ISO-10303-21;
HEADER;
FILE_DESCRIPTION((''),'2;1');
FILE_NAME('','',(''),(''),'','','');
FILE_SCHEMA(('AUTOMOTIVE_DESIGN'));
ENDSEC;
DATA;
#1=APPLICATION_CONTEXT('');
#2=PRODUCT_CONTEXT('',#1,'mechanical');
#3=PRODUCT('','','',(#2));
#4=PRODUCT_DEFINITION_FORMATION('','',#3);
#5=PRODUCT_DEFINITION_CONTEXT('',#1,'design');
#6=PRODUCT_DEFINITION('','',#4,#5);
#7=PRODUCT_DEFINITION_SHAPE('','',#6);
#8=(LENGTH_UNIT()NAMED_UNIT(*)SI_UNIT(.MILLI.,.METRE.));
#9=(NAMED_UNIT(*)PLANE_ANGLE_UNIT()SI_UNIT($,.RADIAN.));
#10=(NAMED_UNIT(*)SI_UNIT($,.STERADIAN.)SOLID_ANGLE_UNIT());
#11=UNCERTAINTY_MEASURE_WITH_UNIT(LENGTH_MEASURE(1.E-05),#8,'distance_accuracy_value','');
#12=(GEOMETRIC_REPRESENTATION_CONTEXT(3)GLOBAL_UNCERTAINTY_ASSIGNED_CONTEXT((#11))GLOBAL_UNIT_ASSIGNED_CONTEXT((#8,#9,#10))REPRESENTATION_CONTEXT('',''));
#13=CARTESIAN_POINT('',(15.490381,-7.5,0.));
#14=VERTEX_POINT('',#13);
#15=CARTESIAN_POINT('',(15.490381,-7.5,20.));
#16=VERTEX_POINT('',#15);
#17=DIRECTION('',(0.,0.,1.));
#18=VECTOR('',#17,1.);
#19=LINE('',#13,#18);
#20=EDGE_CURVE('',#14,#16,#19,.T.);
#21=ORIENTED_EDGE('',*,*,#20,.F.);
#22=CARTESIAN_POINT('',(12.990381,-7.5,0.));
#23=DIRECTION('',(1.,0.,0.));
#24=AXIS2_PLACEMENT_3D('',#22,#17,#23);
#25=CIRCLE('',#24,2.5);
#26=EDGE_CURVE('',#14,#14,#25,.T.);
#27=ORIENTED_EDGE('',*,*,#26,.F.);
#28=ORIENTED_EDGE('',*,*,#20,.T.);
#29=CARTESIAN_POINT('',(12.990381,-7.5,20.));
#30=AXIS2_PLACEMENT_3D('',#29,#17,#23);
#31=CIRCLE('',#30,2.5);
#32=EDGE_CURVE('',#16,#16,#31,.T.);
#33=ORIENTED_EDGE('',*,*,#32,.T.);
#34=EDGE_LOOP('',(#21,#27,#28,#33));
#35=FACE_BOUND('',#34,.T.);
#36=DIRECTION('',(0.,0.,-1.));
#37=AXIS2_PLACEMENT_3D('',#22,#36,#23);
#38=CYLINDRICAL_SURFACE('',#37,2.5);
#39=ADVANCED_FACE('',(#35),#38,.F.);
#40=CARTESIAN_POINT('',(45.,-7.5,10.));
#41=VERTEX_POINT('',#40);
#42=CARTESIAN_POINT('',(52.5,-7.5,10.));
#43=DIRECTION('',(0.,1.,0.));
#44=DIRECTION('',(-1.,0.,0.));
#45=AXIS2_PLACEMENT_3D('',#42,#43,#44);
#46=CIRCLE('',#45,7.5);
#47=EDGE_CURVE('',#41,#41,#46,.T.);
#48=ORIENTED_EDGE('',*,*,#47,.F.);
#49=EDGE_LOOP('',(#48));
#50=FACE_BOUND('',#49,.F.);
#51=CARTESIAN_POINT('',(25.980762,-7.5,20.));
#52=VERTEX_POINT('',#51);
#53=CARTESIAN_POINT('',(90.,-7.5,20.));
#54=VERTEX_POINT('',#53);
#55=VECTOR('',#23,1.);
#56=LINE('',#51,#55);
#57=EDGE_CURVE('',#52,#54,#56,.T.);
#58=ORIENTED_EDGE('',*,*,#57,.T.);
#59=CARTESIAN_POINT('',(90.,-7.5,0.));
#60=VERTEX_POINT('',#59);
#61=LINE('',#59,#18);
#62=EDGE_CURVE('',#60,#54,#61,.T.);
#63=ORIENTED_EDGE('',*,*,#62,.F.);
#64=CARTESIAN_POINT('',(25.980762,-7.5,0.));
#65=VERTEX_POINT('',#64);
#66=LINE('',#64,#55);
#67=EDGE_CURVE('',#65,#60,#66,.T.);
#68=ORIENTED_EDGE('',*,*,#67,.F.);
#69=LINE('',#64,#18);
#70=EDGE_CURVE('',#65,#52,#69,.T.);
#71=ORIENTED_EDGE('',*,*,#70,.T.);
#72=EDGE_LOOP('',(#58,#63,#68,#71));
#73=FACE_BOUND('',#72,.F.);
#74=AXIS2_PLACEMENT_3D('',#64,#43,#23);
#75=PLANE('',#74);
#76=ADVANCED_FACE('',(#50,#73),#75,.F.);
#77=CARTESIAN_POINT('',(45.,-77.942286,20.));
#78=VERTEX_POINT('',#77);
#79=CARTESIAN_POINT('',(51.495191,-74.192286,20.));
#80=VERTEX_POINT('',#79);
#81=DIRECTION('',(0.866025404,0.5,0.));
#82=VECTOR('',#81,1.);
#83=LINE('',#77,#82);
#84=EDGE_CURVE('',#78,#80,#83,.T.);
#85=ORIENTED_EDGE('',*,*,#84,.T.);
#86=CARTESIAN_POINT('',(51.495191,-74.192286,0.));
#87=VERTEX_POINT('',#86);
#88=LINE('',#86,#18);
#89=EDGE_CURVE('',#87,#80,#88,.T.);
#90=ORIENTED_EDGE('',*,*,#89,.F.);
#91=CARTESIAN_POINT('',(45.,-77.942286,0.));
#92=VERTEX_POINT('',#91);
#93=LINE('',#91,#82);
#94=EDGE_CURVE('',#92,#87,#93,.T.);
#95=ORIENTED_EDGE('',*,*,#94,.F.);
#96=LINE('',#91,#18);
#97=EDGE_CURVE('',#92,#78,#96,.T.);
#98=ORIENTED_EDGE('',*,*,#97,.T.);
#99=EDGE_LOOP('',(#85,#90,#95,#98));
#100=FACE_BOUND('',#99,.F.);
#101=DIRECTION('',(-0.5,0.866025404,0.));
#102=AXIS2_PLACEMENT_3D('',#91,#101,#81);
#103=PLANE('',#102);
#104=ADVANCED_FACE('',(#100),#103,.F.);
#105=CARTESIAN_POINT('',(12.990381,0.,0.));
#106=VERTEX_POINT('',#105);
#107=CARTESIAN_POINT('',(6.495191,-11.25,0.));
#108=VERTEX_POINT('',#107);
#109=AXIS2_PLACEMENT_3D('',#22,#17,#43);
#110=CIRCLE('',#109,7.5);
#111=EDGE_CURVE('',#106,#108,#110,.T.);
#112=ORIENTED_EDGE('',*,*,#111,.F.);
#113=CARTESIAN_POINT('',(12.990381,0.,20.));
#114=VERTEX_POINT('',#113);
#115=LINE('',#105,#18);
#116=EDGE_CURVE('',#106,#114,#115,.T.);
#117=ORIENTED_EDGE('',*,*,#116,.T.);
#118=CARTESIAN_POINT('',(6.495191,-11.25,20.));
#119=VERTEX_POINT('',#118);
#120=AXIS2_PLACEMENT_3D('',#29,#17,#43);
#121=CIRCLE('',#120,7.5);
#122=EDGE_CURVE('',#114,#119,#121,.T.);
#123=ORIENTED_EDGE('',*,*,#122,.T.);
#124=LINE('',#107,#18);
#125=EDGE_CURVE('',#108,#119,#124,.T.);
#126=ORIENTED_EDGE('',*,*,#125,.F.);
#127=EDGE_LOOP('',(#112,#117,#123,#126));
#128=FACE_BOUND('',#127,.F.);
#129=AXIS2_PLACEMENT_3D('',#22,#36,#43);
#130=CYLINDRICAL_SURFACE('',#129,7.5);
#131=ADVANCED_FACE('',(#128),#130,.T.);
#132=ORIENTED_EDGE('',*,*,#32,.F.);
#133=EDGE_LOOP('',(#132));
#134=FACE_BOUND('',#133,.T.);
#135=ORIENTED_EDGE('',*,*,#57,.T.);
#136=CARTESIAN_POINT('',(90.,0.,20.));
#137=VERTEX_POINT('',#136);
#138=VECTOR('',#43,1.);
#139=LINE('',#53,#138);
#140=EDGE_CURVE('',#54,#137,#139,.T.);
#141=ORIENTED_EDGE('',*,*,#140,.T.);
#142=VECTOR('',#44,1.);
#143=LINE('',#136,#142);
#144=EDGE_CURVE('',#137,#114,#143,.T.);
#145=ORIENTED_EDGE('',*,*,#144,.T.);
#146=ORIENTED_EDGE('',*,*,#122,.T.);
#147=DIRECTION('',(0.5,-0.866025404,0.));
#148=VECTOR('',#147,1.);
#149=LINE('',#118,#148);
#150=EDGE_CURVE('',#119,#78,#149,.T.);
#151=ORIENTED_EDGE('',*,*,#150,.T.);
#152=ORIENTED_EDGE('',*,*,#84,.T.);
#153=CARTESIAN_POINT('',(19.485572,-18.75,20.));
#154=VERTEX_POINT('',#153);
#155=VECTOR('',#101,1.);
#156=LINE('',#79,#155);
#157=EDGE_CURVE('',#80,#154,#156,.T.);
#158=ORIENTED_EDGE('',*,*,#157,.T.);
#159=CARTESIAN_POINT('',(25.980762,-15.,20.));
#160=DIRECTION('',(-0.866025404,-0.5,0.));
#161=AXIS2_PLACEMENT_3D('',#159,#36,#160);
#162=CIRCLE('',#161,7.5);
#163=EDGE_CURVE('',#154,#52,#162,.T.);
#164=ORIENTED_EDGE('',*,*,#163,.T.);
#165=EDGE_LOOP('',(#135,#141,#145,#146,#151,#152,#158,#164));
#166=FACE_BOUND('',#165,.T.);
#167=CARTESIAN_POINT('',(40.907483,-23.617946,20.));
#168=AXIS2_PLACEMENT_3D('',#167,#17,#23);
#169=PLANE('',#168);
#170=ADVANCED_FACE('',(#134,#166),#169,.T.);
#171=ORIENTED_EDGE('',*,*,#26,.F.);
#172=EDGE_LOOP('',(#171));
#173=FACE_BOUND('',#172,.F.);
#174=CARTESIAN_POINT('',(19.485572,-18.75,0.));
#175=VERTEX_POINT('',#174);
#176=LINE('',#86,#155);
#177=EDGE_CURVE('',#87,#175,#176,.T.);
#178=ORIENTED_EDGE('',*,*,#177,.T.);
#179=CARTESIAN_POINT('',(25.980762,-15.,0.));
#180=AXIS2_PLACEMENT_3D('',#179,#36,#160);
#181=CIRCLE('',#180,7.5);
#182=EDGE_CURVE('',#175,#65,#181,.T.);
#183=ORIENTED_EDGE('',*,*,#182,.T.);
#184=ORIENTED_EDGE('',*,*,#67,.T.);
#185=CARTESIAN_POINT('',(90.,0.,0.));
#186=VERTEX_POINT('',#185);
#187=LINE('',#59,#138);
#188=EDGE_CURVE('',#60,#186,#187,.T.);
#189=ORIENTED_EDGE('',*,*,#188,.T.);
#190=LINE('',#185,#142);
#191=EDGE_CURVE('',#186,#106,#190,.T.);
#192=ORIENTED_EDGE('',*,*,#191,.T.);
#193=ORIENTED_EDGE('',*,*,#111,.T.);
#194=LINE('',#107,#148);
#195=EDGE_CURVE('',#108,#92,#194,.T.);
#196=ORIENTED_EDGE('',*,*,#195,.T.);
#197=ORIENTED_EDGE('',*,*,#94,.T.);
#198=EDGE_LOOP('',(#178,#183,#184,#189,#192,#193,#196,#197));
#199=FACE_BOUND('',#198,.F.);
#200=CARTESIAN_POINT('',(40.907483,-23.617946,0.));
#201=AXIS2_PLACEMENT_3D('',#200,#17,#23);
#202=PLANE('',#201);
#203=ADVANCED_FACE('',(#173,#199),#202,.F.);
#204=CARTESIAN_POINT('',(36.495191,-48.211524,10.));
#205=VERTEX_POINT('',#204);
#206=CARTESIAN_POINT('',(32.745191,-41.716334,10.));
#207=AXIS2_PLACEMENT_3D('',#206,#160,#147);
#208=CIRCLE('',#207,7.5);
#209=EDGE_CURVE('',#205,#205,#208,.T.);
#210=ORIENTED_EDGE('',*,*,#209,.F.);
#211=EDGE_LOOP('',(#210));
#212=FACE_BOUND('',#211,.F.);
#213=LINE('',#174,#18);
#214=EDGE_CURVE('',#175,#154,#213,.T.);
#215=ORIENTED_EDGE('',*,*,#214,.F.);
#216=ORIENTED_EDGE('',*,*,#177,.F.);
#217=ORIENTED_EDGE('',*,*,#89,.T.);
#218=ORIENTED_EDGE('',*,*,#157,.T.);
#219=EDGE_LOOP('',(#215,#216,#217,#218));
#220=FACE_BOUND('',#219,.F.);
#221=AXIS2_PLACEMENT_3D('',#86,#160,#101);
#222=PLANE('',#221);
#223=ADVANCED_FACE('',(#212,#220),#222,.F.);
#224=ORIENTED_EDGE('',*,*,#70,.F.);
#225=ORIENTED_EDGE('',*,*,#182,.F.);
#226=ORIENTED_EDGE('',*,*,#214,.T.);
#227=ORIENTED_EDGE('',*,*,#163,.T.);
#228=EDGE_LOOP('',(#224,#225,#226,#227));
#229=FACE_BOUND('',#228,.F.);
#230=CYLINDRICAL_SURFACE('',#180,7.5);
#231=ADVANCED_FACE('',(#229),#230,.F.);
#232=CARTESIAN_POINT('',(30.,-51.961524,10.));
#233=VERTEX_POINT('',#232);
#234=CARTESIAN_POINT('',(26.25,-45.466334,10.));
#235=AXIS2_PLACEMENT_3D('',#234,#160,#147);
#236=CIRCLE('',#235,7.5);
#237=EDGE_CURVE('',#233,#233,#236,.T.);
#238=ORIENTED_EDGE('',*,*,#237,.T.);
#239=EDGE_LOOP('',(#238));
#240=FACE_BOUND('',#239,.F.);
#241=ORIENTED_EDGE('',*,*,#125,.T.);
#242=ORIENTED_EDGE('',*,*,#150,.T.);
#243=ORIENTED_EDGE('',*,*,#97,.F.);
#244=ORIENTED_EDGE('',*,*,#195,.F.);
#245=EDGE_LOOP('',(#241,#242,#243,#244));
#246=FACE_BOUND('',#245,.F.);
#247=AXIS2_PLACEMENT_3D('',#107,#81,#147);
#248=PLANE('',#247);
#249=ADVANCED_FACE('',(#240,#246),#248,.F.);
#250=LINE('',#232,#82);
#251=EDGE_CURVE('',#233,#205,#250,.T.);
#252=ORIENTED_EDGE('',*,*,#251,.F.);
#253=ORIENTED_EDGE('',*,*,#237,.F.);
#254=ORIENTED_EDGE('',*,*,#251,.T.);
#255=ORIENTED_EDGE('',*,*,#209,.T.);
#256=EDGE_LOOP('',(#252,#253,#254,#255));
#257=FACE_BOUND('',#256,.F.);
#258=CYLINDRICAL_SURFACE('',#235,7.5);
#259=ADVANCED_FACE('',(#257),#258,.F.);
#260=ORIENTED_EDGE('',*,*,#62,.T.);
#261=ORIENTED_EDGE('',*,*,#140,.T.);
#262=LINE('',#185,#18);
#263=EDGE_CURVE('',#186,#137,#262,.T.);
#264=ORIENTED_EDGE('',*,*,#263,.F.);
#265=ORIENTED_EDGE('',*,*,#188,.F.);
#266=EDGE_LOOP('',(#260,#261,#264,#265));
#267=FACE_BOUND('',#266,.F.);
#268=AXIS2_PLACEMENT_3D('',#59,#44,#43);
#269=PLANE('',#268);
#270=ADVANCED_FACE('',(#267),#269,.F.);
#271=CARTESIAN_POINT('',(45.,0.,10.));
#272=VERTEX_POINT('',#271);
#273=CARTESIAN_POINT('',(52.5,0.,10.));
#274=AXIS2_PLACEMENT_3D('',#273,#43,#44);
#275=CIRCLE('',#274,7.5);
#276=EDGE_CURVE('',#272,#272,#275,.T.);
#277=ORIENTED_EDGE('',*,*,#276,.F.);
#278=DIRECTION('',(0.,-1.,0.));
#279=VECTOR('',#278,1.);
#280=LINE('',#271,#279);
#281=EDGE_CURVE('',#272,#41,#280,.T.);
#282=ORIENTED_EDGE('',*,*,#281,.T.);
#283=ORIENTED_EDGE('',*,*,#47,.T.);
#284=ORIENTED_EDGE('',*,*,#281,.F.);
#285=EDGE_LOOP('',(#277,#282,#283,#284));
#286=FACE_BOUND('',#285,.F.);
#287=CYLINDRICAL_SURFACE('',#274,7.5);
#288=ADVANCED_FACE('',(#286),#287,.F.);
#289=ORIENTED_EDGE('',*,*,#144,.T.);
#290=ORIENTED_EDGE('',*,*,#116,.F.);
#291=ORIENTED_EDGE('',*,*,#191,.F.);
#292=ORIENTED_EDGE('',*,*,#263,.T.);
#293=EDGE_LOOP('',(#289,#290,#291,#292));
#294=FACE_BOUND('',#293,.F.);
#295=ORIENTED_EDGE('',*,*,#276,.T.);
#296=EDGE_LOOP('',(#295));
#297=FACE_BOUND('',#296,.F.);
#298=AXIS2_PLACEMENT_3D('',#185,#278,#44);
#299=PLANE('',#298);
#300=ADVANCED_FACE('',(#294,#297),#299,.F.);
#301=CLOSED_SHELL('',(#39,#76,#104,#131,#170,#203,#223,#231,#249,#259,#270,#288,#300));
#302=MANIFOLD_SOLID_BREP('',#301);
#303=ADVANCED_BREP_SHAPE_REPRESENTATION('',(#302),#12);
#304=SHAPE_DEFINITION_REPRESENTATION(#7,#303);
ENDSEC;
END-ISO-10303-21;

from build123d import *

# Parameters (mm, degrees)
F0_R     = 2.5
F1_DEPTH = 20
F2_R     = 7.5
F3_DEPTH = 25
F4_R     = 7.5
F5_DEPTH = 25


with BuildPart() as f1:
    # F0 (on Top) → F1 (new body)
    with BuildSketch(Plane.XY):
        with BuildLine():
            Line((90, 0), (12.9903810568, 0))
            ThreePointArc((12.9903810568, 0), (6.4951905284, -3.75), (6.4951905284, -11.25))
            Line((6.4951905284, -11.25), (45, -77.9422863406))
            Line((45, -77.9422863406), (51.4951905284, -74.1922863406))
            Line((51.4951905284, -74.1922863406), (19.4855715851, -18.75))
            ThreePointArc((19.4855715851, -18.75), (19.4855715851, -11.25), (25.9807621135, -7.5))
            Line((25.9807621135, -7.5), (90, -7.5))
            Line((90, -7.5), (90, 0))
        make_face()
        with Locations((12.9903810568, -7.5)):
            Circle(F0_R, mode=Mode.SUBTRACT)
    extrude(amount=F1_DEPTH)

    # F2 (on face) → F3 (cut)
    with BuildSketch(Plane(origin=(0, 0, 0), x_dir=(0.5, -0.8660254038, 0), z_dir=(-0.8660254038, -0.5, 0))):
        with Locations((52.5, 10)):
            Circle(F2_R)
    extrude(amount=-F3_DEPTH, mode=Mode.SUBTRACT)

    # F4 (on face) → F5 (cut)
    with BuildSketch(Plane(origin=(0, 0, 0), x_dir=(-1, 0, 0), z_dir=(0, 1, 0))):
        with Locations((-52.5, 10)):
            Circle(F4_R)
    extrude(amount=-F5_DEPTH, mode=Mode.SUBTRACT)


solid = f1.part
